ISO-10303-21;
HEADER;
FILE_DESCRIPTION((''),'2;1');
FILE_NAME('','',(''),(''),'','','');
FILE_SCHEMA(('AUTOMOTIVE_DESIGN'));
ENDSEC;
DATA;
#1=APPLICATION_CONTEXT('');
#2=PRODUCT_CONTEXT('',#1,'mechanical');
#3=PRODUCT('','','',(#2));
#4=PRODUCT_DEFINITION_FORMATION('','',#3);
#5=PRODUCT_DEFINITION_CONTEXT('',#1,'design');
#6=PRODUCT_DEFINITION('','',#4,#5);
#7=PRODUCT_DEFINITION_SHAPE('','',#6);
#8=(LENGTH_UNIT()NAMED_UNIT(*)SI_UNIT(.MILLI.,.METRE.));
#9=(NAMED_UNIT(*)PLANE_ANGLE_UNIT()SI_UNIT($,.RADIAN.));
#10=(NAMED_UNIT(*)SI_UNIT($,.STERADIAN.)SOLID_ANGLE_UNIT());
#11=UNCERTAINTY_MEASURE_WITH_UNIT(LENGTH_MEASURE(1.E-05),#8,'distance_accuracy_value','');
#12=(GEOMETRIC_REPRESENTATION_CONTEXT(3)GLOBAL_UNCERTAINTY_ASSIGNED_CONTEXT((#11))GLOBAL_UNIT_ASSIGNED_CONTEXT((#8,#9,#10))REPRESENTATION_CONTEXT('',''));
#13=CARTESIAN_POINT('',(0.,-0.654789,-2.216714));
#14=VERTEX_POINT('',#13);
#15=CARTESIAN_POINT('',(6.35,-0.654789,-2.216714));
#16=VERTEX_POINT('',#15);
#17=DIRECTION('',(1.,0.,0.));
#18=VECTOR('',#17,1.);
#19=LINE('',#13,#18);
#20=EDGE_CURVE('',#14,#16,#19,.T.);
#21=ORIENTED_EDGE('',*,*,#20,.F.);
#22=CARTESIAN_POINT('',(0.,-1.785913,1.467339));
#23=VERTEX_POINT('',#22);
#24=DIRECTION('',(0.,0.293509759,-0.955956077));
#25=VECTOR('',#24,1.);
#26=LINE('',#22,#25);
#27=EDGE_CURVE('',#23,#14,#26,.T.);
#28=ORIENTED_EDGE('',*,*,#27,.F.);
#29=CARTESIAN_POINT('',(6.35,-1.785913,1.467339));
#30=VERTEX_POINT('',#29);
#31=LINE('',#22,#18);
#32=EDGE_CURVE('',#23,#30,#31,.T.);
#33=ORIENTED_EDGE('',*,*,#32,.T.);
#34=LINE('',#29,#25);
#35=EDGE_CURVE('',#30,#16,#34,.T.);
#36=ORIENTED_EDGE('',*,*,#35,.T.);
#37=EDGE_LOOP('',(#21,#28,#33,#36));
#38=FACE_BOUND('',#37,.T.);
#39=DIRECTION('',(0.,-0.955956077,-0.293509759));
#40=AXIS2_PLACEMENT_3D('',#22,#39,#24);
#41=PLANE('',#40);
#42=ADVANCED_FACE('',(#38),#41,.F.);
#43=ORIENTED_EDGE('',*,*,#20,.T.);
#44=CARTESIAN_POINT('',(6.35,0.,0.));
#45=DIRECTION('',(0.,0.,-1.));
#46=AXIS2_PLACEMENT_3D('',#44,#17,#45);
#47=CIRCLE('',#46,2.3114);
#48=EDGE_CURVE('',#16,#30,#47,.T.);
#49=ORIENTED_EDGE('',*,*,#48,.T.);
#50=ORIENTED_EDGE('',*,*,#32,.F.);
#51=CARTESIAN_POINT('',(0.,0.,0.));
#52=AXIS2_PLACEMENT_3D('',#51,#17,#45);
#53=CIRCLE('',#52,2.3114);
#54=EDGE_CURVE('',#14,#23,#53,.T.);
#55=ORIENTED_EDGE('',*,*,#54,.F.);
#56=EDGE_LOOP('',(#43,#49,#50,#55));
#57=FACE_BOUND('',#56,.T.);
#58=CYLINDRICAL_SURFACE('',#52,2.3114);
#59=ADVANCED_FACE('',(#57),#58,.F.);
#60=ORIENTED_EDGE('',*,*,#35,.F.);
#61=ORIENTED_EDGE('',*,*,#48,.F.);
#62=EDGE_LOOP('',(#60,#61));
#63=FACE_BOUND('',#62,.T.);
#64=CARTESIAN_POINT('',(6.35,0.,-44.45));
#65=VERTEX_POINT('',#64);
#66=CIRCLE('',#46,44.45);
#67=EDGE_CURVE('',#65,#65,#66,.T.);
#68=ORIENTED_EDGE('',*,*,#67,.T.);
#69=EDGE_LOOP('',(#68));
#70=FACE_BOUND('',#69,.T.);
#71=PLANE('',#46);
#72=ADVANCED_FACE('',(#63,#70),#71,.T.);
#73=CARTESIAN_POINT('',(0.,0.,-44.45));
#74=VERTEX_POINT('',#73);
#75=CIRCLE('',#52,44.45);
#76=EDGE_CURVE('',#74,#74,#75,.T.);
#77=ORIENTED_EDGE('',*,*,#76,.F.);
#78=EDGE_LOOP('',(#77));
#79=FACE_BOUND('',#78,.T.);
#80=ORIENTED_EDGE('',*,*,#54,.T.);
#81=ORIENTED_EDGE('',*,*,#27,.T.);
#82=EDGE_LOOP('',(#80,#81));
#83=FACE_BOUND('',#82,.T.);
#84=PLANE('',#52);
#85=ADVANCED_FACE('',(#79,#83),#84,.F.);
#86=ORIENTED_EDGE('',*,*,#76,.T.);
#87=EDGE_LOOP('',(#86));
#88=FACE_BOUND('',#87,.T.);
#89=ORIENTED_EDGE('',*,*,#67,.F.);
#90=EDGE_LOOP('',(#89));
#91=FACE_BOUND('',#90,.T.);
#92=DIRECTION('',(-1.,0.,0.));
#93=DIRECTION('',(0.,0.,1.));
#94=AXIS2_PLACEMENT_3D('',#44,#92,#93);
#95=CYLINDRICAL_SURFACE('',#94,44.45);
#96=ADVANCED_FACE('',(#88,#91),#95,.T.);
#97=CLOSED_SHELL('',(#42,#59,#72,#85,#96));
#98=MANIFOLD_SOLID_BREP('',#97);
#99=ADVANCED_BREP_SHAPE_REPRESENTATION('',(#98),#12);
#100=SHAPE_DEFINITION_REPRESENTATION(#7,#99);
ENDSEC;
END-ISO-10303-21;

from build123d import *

# Parameters (mm, degrees)
SKETCH1_R           = 44.45
BOSS_EXTRUDE1_DEPTH = 6.35
CUT_EXTRUDE1_DEPTH  = 7.35


with BuildPart() as part:
    # Sketch1 → Boss-Extrude1 (new body)
    with BuildSketch(Plane(origin=(0, 0, 0), x_dir=(0, 0, -1), z_dir=(1, 0, 0))):
        Circle(SKETCH1_R)
    extrude(amount=BOSS_EXTRUDE1_DEPTH)

    # Sketch5 → Cut-Extrude1 (cut, through all)
    with BuildSketch(Plane(origin=(6.35, 0, 0), x_dir=(0, 0, -1), z_dir=(1, 0, 0))):
        with BuildLine():
            Line((-1.467338899, -1.785913356), (2.216714185, -0.654788654))
            ThreePointArc((2.216714185, -0.654788654), (-0.678418457, 2.209596877), (-1.467338899, -1.785913356))
        make_face()
    extrude(amount=-CUT_EXTRUDE1_DEPTH, mode=Mode.SUBTRACT)


solid = part.part
